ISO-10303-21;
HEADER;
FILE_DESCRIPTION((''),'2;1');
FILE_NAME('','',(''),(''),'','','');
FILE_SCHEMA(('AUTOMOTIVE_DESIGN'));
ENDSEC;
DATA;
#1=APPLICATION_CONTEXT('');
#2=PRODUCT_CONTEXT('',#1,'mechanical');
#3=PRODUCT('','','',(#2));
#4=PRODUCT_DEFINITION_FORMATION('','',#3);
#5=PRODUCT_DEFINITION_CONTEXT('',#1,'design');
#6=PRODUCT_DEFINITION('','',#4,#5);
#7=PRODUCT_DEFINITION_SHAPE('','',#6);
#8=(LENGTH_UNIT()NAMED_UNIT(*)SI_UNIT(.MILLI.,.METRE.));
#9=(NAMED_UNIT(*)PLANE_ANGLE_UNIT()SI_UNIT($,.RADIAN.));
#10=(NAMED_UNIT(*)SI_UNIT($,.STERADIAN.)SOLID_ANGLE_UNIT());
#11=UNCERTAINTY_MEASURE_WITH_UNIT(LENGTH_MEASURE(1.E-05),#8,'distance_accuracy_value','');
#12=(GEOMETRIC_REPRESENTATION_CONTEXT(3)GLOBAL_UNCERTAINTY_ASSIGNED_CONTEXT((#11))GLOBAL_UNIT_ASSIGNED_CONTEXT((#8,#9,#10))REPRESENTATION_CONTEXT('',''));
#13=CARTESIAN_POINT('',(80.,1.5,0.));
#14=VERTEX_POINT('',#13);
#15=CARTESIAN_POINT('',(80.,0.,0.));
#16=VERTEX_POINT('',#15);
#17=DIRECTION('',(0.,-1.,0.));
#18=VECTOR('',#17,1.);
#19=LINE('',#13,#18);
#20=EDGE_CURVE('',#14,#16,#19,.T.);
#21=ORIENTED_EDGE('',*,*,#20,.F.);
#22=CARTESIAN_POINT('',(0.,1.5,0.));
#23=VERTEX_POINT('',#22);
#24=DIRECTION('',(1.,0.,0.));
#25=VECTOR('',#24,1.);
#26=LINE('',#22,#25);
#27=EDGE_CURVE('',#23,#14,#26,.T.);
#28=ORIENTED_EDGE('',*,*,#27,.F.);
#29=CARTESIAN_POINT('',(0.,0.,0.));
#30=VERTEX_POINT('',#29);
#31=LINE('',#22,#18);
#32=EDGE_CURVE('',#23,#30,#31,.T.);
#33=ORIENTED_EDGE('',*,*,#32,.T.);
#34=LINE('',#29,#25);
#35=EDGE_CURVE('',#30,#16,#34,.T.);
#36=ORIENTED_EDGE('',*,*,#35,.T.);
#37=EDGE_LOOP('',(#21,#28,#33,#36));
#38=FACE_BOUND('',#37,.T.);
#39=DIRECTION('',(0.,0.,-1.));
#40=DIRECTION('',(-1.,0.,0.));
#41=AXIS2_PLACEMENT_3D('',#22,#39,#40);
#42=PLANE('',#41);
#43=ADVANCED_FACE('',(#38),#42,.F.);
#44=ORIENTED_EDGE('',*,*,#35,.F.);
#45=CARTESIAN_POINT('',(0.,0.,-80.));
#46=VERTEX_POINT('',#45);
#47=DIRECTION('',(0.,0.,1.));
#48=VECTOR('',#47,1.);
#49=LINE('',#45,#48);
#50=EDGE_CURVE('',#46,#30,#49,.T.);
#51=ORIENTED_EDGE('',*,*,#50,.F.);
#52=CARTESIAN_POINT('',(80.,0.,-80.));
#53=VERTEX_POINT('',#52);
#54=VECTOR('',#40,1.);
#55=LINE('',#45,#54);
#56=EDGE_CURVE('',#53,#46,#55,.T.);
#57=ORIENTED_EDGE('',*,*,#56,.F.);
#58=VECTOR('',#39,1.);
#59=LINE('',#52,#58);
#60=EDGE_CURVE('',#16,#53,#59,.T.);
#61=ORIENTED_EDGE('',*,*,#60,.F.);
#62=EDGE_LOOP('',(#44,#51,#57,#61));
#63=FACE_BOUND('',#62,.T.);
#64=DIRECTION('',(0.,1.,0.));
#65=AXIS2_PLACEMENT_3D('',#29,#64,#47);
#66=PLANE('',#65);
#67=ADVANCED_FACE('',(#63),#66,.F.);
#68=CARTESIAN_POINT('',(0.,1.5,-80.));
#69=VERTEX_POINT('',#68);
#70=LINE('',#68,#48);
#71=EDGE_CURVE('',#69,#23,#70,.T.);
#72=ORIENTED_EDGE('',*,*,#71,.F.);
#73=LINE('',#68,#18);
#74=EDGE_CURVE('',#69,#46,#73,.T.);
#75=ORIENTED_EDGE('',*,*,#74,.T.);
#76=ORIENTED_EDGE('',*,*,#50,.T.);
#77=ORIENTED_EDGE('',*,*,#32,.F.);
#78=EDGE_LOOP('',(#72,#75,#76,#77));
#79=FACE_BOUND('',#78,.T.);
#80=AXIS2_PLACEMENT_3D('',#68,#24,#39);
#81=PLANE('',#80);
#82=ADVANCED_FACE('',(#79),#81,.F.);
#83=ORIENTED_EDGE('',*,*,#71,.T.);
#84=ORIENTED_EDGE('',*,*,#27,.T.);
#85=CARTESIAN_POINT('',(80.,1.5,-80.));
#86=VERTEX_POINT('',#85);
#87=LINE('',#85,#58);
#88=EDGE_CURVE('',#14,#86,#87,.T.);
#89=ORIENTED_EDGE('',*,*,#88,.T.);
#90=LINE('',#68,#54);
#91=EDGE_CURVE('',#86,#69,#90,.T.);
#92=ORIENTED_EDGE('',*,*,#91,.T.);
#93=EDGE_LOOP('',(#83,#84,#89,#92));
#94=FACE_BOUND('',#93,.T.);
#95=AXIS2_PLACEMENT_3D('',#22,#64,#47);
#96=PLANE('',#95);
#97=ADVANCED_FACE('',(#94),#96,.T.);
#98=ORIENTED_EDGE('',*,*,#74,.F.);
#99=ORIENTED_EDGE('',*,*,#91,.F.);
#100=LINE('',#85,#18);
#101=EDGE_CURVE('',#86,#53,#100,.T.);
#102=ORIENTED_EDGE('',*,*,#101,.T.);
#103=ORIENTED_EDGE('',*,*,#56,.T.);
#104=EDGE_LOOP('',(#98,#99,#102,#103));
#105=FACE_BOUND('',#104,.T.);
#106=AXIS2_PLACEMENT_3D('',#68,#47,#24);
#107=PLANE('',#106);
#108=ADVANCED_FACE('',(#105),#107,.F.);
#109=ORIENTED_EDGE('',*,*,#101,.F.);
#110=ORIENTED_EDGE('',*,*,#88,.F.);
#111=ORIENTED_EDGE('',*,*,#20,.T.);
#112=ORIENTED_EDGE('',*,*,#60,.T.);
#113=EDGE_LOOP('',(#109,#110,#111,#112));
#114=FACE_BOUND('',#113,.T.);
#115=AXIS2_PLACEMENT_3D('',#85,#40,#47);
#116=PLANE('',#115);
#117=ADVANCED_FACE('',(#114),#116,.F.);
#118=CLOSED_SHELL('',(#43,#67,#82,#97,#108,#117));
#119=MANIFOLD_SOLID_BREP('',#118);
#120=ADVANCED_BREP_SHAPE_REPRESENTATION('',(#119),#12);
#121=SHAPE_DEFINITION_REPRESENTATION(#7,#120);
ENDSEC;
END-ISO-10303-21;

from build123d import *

# Parameters (mm, degrees)
SKETCH_1_W      = 80
SKETCH_1_H      = 80
EXTRUDE_1_DEPTH = 1.5


with BuildPart() as part:
    # Эскиз1 → Бобышка-Вытянуть1 (new body)
    with BuildSketch(Plane(origin=(0, 0, 0), x_dir=(1, 0, 0), z_dir=(0, 1, 0))):
        with Locations((40, 40)):
            Rectangle(SKETCH_1_W, SKETCH_1_H)
    extrude(amount=EXTRUDE_1_DEPTH)


solid = part.part
